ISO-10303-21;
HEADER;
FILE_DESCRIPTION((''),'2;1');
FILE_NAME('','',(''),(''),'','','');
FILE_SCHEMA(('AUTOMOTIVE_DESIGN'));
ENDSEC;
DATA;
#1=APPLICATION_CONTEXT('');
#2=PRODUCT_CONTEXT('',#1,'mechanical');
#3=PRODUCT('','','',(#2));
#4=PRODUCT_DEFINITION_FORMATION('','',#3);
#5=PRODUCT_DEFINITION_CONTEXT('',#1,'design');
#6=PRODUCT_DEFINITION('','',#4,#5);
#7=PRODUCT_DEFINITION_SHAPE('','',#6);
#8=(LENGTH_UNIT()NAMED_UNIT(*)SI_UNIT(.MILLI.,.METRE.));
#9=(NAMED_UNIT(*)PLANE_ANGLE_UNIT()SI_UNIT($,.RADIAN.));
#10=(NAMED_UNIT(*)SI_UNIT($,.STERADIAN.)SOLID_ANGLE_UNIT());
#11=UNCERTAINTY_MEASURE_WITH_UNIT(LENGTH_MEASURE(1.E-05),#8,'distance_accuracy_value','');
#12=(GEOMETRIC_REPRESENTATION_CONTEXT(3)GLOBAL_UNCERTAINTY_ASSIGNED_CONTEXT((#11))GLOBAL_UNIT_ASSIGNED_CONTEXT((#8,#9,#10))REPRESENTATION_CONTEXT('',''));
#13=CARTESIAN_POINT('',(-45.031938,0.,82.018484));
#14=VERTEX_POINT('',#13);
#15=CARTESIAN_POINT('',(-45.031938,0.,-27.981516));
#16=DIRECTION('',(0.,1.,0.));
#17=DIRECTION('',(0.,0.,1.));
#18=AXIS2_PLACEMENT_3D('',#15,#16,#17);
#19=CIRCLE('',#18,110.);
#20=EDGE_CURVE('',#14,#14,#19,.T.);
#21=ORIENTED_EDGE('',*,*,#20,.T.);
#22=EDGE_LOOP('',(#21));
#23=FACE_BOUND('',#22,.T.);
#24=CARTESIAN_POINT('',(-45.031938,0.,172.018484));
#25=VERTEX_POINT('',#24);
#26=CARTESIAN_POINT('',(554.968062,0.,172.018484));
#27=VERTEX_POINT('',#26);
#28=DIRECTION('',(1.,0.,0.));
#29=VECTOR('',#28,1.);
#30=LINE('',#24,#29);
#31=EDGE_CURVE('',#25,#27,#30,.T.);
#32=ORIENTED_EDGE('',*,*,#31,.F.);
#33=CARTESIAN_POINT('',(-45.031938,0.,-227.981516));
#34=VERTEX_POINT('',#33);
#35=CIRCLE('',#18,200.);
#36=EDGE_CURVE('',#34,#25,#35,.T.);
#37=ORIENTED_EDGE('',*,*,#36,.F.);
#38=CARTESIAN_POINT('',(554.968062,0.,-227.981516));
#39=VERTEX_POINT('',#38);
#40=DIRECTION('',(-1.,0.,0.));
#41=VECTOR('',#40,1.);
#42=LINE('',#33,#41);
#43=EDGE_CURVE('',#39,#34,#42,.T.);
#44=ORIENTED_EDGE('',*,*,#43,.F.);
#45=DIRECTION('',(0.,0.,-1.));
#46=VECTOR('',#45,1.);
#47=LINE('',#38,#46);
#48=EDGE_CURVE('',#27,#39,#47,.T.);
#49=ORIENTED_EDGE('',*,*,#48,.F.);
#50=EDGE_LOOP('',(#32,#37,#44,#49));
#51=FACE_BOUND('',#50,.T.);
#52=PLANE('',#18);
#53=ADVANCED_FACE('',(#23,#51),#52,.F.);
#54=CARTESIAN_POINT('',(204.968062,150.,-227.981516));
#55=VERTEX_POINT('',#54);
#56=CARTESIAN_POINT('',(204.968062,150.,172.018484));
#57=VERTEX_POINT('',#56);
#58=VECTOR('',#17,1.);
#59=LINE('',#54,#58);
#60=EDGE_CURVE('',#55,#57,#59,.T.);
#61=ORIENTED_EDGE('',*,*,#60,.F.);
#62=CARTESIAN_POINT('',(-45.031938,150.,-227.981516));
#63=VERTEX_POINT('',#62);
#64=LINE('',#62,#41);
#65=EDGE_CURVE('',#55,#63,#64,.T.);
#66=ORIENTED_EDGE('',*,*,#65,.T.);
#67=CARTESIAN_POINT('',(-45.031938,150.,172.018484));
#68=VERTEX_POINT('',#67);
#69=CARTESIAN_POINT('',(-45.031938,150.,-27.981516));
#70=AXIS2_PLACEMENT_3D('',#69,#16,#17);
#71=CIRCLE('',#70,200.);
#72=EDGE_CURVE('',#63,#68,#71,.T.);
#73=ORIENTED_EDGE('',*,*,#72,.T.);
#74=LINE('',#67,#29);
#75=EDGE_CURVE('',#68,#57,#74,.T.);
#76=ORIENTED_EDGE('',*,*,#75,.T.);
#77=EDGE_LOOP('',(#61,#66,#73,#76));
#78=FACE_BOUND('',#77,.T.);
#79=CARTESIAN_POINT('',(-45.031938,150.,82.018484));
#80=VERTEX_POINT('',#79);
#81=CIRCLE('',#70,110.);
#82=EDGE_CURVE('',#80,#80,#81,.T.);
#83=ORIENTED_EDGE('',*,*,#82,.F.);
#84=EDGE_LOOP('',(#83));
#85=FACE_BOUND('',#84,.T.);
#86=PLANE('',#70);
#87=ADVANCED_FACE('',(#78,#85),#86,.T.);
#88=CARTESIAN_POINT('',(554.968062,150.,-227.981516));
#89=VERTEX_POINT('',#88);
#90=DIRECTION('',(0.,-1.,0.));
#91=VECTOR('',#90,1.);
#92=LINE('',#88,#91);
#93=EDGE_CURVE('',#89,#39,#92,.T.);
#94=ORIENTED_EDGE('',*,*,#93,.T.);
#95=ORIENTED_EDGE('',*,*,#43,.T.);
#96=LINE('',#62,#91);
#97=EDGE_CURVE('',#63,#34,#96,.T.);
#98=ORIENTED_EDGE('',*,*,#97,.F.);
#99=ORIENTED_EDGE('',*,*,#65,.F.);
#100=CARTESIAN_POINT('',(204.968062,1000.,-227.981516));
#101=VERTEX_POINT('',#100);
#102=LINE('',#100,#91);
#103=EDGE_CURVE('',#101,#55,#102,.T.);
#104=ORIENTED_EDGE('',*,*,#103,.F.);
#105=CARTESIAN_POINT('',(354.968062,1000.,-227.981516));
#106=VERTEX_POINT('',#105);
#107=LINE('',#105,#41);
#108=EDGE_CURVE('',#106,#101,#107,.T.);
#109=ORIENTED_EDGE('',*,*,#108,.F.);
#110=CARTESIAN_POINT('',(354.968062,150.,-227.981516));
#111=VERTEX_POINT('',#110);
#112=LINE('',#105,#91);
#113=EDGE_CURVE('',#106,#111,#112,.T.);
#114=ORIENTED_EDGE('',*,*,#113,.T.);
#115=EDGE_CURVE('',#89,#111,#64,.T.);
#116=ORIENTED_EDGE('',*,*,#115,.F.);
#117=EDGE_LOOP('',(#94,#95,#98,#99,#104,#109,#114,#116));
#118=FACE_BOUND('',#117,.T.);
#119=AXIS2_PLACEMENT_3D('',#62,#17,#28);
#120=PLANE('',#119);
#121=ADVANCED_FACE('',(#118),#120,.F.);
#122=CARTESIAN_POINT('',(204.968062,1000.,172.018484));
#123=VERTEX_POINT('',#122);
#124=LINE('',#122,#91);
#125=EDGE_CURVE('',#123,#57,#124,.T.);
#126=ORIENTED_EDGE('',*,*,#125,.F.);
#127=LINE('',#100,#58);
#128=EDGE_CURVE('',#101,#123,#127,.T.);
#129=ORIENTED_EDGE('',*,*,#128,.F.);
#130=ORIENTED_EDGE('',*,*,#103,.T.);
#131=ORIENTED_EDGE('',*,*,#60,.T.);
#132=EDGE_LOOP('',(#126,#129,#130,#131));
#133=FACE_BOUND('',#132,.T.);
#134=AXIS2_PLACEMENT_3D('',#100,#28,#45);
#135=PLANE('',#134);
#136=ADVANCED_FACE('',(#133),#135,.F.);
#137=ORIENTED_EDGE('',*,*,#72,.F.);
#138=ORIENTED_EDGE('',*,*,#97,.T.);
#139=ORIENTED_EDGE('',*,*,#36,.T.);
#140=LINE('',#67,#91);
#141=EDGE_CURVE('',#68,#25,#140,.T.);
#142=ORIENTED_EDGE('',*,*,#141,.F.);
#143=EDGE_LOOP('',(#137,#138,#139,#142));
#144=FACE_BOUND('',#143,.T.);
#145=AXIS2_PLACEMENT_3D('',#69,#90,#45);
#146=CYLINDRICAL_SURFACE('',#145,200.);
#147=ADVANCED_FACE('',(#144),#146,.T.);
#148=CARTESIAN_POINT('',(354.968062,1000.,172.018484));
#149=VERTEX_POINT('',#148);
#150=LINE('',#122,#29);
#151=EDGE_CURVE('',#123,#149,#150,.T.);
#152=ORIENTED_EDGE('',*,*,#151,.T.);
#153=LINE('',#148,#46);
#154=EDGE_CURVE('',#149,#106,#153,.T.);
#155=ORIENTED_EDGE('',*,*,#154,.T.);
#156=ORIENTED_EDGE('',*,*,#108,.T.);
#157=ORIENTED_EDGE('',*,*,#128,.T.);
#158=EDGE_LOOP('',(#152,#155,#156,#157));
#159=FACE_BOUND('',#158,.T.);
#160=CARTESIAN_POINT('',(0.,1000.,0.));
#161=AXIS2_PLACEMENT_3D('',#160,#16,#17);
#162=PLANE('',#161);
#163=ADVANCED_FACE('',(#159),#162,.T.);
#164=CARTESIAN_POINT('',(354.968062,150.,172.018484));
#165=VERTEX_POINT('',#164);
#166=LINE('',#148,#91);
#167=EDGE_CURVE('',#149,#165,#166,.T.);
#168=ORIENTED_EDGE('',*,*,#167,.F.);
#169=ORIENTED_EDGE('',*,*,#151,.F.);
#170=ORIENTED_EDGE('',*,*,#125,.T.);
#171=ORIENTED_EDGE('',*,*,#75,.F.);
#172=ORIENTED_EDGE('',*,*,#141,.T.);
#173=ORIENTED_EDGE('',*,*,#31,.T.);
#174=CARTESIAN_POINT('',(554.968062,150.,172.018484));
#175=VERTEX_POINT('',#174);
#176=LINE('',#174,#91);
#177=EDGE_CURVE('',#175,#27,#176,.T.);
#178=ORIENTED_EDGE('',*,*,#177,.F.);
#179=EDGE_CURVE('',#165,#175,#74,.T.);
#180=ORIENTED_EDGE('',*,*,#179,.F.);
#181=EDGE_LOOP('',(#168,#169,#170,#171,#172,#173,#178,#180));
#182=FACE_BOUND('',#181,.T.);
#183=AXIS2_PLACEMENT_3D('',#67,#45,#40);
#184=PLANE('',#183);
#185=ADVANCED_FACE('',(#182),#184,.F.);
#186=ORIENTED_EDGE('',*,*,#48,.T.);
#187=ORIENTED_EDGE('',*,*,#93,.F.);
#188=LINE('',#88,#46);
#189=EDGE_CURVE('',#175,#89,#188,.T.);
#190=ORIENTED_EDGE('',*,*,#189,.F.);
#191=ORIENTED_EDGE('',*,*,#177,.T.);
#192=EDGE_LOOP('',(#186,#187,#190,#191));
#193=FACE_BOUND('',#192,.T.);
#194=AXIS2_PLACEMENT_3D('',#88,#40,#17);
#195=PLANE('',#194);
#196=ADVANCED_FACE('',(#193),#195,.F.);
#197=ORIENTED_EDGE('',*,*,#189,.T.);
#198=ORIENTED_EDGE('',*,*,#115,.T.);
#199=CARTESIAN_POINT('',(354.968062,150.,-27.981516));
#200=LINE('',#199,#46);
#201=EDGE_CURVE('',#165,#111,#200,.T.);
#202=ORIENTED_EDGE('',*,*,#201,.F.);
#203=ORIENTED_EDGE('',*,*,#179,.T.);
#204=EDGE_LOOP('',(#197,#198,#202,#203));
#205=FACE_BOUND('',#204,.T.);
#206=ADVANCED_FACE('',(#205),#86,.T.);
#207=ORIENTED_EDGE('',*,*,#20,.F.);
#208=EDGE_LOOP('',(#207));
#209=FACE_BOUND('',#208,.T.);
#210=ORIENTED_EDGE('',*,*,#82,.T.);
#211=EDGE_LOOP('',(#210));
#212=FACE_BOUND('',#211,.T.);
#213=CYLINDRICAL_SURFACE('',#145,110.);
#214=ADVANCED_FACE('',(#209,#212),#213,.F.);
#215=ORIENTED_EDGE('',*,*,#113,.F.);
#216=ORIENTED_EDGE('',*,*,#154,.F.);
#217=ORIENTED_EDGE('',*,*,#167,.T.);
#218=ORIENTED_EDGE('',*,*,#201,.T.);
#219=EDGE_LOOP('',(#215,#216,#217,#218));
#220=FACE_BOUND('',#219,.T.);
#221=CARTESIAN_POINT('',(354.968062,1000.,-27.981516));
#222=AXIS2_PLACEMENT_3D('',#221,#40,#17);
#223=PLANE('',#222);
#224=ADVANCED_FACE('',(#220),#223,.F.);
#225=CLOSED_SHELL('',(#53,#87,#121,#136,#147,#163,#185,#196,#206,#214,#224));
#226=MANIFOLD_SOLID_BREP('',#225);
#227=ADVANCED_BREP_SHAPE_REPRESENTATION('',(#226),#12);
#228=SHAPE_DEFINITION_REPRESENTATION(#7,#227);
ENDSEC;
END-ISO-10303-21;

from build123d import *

# Parameters (mm, degrees)
IZIM1_R                     = 110
Y_KSEKLIK_EKSTR_ZYON1_DEPTH = 150
Y_KSEKLIK_EKSTR_ZYON2_DEPTH = 850


with BuildPart() as part:
    # Çizim1 → Yükseklik-Ekstrüzyon1 (new body)
    with BuildSketch(Plane(origin=(0, 0, 0), x_dir=(1, 0, 0), z_dir=(0, 1, 0))):
        with BuildLine():
            Line((-45.031937832, 227.98151627), (554.968062168, 227.98151627))
            Line((554.968062168, 227.98151627), (554.968062168, -172.01848373))
            Line((554.968062168, -172.01848373), (-45.031937832, -172.01848373))
            ThreePointArc((-45.031937832, -172.01848373), (-245.031937832, 27.98151627), (-45.031937832, 227.98151627))
        make_face()
        with Locations(Location((-45.031937832, 27.98151627, 0), (0, 0, 270))):
            Circle(IZIM1_R, mode=Mode.SUBTRACT)
    extrude(amount=Y_KSEKLIK_EKSTR_ZYON1_DEPTH)

    # Çizim4 → Yükseklik-Ekstrüzyon2 (add)
    with BuildSketch(Plane(origin=(0, 150, 0), x_dir=(1, 0, 0), z_dir=(0, 1, 0))):
        Polygon((354.968062168, 27.98151627), (354.968062168, 227.98151627), (204.968062168, 227.98151627), (204.968062168, -172.01848373), (354.968062168, -172.01848373), align=None)
    extrude(amount=Y_KSEKLIK_EKSTR_ZYON2_DEPTH)


solid = part.part
